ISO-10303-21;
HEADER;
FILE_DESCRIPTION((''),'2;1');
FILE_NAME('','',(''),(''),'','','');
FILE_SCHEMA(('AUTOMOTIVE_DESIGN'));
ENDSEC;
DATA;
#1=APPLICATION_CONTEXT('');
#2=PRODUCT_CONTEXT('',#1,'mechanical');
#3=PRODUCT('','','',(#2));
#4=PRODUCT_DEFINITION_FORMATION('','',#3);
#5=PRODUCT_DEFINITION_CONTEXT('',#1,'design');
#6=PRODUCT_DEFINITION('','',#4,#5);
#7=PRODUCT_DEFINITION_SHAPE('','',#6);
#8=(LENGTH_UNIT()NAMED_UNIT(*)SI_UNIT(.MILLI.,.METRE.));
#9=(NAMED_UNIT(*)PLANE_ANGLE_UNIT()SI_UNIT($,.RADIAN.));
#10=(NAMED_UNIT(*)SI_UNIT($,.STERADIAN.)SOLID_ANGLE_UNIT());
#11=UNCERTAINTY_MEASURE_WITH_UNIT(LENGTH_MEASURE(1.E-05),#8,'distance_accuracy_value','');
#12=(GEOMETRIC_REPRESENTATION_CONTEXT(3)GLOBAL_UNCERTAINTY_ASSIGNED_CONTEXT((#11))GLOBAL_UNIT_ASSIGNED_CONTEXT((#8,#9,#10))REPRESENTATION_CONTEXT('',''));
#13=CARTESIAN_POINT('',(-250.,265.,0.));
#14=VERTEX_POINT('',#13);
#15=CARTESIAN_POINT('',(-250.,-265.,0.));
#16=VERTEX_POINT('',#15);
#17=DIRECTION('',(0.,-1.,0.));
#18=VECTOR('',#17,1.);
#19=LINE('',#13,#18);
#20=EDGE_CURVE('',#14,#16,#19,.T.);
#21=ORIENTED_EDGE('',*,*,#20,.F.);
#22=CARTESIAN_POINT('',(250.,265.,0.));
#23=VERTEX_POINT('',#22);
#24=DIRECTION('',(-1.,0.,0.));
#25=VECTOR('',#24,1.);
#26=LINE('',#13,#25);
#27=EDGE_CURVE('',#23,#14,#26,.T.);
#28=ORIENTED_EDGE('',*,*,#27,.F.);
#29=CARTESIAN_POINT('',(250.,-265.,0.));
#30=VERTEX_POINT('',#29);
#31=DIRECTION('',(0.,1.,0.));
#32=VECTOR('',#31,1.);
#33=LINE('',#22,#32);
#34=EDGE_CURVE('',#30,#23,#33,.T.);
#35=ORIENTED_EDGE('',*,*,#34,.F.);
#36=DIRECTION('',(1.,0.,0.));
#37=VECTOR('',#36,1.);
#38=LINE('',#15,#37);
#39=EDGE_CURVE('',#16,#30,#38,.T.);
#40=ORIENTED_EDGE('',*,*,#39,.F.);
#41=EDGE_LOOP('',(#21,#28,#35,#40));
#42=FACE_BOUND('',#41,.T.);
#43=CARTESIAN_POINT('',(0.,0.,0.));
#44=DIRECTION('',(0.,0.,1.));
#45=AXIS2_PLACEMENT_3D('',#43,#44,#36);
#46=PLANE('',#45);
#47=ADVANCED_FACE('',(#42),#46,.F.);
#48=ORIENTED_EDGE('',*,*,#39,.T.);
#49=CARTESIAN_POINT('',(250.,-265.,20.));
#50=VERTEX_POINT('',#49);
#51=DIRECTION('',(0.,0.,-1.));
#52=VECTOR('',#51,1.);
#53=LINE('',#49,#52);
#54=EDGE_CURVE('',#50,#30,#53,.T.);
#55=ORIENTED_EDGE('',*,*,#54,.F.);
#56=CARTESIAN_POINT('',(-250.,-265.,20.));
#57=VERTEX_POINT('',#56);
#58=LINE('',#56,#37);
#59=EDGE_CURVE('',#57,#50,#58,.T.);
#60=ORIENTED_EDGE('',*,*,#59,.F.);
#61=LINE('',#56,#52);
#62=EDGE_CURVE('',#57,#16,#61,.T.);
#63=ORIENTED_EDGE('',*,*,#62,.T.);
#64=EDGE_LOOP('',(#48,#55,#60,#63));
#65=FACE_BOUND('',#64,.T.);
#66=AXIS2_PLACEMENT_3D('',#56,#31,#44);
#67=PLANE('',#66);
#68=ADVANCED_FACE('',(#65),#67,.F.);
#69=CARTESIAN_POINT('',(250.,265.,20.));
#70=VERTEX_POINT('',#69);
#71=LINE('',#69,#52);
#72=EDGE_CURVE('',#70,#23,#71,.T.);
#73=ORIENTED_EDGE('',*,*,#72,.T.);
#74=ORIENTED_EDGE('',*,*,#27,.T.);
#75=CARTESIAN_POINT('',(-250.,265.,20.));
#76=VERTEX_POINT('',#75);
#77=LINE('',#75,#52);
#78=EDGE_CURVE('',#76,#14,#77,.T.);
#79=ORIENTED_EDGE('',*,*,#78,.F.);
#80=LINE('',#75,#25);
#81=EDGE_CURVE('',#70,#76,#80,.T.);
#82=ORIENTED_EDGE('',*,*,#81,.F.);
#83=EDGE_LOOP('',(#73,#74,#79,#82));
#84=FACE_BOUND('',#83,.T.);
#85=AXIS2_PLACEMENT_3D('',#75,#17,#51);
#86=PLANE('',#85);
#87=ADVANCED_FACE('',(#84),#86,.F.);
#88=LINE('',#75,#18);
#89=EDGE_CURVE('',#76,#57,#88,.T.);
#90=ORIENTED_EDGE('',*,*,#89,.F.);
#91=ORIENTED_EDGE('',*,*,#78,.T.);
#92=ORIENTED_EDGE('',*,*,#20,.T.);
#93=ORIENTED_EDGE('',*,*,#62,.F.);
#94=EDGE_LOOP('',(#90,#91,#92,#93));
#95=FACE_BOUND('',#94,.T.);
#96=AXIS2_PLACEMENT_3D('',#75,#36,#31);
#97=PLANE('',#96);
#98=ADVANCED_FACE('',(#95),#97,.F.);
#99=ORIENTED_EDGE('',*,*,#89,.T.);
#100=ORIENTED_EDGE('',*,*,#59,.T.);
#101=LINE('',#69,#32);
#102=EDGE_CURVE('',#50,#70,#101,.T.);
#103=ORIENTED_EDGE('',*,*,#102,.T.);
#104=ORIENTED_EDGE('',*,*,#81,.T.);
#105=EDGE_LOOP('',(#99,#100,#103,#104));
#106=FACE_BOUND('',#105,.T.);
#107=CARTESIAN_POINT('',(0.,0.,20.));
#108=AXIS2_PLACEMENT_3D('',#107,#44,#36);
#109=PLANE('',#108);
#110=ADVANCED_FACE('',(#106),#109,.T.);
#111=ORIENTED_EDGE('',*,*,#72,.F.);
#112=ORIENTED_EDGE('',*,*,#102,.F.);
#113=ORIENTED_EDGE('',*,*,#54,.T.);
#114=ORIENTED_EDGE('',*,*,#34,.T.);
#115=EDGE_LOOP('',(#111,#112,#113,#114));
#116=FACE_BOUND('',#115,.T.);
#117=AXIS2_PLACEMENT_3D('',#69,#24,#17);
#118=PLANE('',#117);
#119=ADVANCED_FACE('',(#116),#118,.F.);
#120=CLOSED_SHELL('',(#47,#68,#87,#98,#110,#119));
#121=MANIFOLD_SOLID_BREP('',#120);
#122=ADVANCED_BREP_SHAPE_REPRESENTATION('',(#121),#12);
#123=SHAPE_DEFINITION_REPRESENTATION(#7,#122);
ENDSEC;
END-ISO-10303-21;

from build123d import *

# Parameters (mm, degrees)
ESQUISSE1_W        = 500
ESQUISSE1_H        = 530
BOSS_EXTRU_1_DEPTH = 20


with BuildPart() as part:
    # Esquisse1 → Boss.-Extru.1 (new body)
    with BuildSketch(Plane.XY):
        Rectangle(ESQUISSE1_W, ESQUISSE1_H)
    extrude(amount=BOSS_EXTRU_1_DEPTH)


solid = part.part
